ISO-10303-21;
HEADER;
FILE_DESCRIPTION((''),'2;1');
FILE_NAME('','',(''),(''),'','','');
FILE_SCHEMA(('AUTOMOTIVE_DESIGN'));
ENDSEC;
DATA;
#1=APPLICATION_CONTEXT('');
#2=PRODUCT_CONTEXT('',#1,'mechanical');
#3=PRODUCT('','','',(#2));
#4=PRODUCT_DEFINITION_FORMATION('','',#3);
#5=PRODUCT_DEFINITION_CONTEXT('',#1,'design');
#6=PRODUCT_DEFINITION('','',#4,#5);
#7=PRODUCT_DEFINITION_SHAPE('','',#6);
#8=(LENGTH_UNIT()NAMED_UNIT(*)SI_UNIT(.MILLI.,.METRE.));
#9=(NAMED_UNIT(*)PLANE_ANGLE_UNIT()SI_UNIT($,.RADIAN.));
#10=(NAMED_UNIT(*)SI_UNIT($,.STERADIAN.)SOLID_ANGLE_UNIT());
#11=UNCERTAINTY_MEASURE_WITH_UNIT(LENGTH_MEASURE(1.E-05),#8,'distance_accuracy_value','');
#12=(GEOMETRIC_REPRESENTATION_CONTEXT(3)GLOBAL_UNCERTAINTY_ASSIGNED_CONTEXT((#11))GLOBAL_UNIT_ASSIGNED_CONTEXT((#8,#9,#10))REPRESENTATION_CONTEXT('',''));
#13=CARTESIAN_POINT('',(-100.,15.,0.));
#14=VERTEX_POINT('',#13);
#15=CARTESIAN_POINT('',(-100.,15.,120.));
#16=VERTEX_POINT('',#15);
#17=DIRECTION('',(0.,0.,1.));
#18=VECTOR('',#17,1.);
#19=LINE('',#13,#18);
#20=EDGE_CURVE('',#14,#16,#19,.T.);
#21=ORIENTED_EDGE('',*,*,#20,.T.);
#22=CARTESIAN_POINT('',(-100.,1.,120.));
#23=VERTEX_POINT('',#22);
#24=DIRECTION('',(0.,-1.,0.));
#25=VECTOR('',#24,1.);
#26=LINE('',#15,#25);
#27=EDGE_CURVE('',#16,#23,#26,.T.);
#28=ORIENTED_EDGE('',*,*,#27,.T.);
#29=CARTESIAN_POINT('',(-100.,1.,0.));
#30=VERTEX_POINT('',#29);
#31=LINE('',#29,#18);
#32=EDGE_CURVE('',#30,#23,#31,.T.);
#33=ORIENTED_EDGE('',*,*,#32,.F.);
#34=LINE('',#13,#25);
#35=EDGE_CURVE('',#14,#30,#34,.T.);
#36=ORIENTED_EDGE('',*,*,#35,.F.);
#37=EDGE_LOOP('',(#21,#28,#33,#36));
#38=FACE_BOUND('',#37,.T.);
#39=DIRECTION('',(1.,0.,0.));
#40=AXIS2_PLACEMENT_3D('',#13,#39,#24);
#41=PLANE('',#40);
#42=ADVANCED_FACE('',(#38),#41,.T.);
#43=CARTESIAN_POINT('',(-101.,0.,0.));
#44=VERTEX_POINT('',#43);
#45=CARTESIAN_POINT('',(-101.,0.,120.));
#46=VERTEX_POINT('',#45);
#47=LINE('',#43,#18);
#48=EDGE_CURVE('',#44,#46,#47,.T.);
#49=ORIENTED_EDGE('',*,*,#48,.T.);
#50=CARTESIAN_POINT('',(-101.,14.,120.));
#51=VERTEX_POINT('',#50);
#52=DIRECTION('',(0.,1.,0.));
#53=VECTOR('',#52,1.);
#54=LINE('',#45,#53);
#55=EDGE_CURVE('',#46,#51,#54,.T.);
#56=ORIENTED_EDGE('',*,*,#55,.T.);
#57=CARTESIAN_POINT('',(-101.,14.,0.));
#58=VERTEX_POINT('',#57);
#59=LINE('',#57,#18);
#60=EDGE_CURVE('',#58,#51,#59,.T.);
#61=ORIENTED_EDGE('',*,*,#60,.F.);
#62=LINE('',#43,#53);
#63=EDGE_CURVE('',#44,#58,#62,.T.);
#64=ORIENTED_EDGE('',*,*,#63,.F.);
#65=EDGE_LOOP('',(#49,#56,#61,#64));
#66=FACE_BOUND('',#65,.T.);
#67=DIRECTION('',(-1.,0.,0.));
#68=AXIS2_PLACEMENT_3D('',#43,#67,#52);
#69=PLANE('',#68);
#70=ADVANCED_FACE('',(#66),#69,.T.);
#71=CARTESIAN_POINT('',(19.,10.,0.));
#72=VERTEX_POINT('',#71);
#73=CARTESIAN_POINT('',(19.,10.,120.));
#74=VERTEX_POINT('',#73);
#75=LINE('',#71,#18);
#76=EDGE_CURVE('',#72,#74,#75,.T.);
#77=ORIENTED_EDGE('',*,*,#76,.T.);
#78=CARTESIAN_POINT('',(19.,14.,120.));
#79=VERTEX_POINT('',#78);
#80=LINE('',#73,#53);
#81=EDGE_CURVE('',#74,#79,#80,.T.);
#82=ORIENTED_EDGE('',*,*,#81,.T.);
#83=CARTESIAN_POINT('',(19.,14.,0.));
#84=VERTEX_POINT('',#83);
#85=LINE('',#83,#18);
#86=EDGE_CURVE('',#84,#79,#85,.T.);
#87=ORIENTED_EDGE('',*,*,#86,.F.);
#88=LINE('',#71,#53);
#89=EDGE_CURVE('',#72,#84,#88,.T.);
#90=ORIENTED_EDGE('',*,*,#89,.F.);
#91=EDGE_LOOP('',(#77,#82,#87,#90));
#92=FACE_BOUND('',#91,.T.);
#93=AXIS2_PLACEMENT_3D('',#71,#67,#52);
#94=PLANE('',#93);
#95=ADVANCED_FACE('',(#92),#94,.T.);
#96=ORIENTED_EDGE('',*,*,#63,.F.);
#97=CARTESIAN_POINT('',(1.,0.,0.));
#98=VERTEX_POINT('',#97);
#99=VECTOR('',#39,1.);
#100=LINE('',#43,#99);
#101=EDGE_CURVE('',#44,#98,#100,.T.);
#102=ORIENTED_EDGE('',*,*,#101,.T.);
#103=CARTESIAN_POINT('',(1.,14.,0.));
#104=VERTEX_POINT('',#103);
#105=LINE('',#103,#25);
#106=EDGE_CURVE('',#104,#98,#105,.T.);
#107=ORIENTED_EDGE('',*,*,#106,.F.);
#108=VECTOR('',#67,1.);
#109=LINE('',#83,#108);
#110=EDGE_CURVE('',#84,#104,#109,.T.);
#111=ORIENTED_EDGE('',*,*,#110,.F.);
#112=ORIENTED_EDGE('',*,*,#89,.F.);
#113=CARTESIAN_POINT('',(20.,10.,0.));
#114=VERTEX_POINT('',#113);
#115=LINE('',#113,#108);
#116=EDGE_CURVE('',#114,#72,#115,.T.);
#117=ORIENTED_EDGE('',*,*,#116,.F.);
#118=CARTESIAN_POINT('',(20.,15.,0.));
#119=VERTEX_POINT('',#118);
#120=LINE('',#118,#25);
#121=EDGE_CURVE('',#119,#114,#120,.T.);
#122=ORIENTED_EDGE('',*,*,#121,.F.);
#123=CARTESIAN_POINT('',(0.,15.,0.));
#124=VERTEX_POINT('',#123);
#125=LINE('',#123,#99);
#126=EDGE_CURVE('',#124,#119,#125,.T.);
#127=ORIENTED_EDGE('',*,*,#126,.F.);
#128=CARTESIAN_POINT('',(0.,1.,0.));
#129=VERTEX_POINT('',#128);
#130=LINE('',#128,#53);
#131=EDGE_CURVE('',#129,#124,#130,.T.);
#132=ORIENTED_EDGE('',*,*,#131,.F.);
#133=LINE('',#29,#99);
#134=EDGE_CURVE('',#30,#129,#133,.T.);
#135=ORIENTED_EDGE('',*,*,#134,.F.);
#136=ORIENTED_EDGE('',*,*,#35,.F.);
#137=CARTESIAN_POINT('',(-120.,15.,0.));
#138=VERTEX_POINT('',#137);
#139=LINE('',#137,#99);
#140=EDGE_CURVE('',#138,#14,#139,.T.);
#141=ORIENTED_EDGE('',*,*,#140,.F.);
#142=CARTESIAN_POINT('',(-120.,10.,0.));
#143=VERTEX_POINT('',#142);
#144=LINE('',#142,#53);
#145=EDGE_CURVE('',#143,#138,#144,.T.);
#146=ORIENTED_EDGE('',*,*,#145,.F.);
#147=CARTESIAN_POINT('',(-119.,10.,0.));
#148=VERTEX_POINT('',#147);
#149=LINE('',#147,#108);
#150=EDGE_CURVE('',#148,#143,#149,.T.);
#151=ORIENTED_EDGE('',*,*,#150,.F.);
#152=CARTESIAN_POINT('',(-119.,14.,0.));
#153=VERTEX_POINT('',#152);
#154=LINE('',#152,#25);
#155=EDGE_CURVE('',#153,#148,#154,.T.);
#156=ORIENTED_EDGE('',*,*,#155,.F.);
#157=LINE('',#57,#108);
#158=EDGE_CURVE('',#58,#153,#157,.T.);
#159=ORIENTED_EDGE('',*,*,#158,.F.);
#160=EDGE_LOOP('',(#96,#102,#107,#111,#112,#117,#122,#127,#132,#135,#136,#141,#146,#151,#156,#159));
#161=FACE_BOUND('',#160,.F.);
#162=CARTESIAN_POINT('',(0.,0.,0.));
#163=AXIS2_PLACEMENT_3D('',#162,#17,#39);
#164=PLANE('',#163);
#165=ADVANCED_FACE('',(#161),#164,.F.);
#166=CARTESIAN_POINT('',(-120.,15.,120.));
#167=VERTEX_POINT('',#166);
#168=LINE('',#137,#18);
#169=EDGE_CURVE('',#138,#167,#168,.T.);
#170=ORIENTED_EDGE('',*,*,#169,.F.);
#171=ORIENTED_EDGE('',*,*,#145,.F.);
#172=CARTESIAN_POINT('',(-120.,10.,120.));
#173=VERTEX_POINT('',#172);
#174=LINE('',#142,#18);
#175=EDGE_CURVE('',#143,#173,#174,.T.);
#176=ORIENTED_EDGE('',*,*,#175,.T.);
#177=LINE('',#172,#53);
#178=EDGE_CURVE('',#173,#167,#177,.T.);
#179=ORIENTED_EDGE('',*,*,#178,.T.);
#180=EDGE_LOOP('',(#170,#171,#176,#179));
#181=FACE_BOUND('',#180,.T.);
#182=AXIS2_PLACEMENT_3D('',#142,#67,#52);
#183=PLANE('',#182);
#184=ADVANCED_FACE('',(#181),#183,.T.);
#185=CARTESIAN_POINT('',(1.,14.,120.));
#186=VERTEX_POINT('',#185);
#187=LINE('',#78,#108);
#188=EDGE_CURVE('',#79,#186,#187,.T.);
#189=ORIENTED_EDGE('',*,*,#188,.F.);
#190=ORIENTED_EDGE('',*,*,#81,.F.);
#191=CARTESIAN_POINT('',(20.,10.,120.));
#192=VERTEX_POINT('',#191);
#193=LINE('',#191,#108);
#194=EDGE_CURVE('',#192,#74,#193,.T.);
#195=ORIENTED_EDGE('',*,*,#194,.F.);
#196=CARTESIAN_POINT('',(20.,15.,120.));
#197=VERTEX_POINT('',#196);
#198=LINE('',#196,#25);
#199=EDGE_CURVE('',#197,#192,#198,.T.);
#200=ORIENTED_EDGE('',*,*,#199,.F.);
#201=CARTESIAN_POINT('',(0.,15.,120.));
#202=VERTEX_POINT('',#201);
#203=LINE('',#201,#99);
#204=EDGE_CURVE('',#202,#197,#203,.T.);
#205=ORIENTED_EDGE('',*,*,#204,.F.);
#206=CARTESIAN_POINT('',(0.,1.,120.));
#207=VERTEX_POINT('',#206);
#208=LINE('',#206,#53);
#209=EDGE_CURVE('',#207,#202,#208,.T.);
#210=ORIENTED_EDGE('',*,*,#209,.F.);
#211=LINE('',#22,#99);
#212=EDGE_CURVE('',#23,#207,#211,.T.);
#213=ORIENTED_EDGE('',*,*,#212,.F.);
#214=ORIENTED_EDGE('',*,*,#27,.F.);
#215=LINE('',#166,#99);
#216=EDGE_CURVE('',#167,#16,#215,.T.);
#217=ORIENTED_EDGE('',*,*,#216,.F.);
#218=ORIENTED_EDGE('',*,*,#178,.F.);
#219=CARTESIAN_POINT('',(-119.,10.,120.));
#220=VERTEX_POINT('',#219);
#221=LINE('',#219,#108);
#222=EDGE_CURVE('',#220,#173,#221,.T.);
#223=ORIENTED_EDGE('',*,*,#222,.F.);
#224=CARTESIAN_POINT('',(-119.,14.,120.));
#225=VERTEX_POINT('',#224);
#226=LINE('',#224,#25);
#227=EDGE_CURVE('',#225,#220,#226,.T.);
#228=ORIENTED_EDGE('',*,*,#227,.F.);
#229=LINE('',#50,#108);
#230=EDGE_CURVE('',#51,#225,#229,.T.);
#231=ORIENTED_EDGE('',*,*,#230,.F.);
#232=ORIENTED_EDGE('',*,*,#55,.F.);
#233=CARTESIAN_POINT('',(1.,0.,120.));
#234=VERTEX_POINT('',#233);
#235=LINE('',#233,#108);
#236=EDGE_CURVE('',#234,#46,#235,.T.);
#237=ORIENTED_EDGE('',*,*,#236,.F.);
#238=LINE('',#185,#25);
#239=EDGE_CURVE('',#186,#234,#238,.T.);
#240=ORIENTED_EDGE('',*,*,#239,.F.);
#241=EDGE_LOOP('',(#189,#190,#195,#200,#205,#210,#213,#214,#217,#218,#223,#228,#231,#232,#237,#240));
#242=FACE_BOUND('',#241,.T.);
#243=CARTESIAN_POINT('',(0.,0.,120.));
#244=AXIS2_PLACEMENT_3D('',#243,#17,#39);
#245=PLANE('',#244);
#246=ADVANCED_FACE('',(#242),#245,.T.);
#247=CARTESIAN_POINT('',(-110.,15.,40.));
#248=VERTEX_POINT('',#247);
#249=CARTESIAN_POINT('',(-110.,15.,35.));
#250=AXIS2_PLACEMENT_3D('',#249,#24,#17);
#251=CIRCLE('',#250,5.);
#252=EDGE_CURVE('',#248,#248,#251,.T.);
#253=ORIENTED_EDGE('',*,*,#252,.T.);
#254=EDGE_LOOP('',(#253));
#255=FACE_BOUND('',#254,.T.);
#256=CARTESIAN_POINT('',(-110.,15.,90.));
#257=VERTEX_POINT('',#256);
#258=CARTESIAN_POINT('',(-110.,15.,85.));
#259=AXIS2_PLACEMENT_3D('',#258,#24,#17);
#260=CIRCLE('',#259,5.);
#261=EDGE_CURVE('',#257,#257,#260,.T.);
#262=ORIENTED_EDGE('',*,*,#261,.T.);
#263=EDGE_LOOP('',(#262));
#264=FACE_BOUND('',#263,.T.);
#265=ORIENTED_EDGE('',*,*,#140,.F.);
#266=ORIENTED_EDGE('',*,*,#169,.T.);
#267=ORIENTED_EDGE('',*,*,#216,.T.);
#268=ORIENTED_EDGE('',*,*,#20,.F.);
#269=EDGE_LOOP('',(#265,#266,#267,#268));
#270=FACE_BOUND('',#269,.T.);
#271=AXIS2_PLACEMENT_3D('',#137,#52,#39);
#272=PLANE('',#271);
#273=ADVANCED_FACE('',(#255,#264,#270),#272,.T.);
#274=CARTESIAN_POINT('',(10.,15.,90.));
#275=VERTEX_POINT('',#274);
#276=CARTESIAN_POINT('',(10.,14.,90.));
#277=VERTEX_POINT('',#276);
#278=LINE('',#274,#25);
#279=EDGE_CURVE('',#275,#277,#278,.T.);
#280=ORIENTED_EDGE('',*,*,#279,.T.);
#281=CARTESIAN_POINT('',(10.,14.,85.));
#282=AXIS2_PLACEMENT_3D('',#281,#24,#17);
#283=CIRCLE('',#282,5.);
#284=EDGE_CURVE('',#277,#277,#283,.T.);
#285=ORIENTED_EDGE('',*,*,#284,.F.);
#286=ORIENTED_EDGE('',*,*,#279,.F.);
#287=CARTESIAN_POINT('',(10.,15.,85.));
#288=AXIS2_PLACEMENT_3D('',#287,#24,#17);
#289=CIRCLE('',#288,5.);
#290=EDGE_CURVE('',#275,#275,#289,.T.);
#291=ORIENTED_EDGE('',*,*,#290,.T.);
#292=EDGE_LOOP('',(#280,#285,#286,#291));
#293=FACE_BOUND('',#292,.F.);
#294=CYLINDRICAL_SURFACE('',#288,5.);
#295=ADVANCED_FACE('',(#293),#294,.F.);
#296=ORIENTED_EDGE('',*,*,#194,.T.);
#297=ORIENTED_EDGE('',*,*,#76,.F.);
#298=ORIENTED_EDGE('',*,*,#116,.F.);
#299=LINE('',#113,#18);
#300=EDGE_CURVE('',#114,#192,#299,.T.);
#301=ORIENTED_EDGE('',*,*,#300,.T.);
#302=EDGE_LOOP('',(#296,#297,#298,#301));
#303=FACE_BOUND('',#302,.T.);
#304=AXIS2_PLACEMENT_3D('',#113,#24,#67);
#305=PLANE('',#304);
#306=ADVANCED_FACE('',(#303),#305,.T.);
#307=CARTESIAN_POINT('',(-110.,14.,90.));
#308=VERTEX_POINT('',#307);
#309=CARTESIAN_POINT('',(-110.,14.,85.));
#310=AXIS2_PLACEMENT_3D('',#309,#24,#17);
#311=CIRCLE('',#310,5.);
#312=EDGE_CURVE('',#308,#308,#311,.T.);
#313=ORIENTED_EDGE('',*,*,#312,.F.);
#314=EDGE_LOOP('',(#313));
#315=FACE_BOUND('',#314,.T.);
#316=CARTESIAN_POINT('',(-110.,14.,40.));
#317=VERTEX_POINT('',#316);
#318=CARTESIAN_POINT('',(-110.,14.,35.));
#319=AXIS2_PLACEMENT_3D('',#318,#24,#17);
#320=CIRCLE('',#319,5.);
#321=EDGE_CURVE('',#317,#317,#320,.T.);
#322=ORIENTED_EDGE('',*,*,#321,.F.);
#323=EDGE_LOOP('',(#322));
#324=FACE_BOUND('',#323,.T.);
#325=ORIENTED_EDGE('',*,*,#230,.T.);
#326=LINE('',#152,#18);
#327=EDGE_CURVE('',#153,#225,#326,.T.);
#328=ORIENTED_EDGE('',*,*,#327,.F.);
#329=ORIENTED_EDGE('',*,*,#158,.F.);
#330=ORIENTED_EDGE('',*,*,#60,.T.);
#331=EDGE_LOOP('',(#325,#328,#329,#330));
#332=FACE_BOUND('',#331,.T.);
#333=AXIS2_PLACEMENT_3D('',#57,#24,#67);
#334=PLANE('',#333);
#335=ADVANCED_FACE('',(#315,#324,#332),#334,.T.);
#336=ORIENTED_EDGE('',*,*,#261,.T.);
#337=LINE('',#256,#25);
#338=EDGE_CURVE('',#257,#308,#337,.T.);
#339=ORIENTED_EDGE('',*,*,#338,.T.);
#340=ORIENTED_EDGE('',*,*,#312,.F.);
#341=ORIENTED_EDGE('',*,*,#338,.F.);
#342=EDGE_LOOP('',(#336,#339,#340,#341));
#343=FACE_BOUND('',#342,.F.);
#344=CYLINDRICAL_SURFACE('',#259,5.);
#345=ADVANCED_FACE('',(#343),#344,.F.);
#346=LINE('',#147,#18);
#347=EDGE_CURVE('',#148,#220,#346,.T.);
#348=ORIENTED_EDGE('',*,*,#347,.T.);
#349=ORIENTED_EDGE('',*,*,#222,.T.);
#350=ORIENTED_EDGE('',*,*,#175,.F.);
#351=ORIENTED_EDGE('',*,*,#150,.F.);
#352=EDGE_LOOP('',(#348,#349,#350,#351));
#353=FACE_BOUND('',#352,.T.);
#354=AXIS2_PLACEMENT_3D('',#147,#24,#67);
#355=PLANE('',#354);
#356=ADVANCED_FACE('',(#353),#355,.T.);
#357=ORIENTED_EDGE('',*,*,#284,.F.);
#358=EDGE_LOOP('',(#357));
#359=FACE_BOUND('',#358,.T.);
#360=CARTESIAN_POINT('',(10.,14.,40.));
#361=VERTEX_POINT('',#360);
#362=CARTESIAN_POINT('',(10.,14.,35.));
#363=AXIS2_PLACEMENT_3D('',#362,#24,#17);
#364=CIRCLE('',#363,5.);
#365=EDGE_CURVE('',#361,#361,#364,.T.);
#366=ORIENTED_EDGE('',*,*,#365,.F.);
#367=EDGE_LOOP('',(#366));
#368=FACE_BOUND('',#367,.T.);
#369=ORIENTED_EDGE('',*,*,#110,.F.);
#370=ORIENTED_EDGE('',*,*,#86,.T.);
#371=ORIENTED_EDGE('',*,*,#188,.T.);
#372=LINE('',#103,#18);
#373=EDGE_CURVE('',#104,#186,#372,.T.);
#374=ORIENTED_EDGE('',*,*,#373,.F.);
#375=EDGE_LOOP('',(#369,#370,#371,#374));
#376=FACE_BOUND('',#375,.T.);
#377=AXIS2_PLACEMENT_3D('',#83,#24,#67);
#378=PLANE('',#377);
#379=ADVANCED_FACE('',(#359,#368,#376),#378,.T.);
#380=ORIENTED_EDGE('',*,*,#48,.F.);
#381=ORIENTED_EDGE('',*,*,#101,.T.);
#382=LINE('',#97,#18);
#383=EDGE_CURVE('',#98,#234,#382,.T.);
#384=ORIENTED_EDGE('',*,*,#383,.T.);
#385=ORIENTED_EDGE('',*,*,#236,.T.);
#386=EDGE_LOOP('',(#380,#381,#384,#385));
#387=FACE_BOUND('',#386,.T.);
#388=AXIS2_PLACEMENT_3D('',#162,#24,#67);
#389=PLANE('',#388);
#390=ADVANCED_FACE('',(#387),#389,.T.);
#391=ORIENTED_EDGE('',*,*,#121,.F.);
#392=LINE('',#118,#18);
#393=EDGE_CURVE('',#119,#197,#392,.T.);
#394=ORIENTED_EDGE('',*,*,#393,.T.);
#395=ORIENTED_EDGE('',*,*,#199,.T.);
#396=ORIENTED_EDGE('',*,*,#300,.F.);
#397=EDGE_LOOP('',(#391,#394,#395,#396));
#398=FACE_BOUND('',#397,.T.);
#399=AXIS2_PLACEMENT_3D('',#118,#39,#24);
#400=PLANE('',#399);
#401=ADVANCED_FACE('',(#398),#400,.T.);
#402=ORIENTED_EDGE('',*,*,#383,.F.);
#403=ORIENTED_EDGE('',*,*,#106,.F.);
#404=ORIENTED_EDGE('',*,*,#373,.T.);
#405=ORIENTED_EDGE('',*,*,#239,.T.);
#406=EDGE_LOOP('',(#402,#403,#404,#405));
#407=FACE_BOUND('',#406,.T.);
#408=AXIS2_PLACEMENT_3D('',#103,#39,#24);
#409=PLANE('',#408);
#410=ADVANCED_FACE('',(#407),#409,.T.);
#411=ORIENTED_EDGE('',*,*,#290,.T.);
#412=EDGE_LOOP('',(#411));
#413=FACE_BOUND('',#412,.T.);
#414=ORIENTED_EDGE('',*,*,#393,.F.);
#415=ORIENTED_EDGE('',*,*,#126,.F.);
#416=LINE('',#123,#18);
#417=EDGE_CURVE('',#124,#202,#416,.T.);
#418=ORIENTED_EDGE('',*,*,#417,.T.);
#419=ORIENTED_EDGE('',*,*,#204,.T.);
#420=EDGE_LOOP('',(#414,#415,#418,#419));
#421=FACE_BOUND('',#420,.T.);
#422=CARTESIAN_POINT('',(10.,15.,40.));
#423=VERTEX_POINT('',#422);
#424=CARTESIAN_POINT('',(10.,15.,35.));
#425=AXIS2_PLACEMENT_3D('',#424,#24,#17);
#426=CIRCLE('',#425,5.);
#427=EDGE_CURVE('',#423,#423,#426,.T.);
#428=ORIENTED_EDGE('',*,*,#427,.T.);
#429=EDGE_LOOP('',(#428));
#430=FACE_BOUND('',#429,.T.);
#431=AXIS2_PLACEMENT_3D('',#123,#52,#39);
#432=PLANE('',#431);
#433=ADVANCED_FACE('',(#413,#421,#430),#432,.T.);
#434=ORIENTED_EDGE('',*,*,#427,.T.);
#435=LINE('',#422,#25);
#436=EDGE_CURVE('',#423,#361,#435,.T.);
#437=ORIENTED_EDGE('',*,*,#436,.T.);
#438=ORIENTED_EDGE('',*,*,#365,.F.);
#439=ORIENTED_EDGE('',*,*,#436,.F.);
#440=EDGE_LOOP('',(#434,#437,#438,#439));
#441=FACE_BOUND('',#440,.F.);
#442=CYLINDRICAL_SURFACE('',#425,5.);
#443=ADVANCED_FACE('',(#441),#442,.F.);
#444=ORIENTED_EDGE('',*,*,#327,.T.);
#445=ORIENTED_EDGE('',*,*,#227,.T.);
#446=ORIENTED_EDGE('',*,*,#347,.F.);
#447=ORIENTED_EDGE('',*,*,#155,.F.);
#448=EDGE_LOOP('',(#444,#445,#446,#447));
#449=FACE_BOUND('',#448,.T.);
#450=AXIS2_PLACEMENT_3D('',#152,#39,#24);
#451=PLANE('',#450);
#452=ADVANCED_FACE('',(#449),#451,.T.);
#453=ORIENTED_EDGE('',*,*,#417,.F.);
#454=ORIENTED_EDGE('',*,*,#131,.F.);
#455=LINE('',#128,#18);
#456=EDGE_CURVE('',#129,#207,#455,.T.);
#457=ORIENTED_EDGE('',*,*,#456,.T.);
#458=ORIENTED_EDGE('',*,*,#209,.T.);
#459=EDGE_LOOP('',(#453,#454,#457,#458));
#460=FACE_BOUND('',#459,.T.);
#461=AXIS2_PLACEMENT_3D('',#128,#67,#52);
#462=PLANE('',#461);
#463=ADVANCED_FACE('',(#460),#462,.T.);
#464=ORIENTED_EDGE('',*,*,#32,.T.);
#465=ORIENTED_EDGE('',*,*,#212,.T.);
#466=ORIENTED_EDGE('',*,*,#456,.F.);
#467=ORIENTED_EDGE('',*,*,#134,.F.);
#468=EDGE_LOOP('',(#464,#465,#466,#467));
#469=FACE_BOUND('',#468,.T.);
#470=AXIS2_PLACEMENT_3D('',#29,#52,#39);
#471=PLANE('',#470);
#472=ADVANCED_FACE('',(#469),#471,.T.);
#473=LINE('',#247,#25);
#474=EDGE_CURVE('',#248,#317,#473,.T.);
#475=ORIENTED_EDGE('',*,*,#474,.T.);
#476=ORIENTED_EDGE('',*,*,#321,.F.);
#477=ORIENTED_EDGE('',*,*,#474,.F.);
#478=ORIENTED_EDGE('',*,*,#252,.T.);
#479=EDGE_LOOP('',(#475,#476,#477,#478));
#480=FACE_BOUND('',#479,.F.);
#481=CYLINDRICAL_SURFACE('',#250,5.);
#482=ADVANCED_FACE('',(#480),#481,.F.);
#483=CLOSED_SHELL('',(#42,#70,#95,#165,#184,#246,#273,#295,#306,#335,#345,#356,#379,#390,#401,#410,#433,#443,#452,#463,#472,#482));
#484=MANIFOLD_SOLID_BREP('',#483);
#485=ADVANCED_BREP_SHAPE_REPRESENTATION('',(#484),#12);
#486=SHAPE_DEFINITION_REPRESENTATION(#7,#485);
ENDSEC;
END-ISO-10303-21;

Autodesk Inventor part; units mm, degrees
ref_plane "YZ Plane" through (0, 0, 0) normal (1, 0, 0) x (0, 1, 0)
ref_plane "XZ Plane" through (0, 0, 0) normal (0, 1, 0) x (-1, 0, 0)
ref_plane "XY Plane" through (0, 0, 0) normal (0, 0, 1) x (1, 0, 0)
sketch "Sketch1" plane through (0, 0, 0) normal (0, 0, 1) x (1, 0, 0)
  line L0 (0, 0) -> (0, 1)
  line L1 (0, 1) -> (0, 15)
  line L2 (0, 15) -> (20, 15)
  line L3 (20, 15) -> (20, 10)
  line L4 (20, 10) -> (19, 10)
  line L5 (19, 10) -> (19, 14)
  line L6 (19, 14) -> (1, 14)
  line L7 (1, 14) -> (1, 0)
  line L8 (1, 0) -> (-101, 0)
  line L9 (-101, 0) -> (-101, 14)
  line L10 (-101, 14) -> (-119, 14)
  line L11 (-119, 14) -> (-119, 10)
  line L12 (-119, 10) -> (-120, 10)
  line L13 (-120, 10) -> (-120, 15)
  line L14 (-120, 15) -> (-100, 15)
  line L15 (-100, 15) -> (-100, 1)
  line L16 (-100, 1) -> (0, 1)
  dimension "d1" = 14
  dimension "d2" = 20
  dimension "d3" = 5
  dimension "d4" = 1
  dimension "d5" = 4
  dimension "d6" = 18
  dimension "d7" = 102
  dimension "d8" = 14
  dimension "d9" = 18
  dimension "d10" = 4
  dimension "d11" = 1
  dimension "d12" = 5
  dimension "d13" = 20
  dimension "d14" = 14
extrude "Extrusion1" add sketch "Sketch1" along normal blind 120
sketch "Sketch2" plane through (0, 15, 0) normal (0, 1, 0) x (1, 0, 0)
  circle A0 centre (10, -85) radius 5
  circle A1 centre (10, -35) radius 5
  circle A2 centre (-110, -35) radius 5
  circle A3 centre (-110, -85) radius 5
  line L0 (20, 0) -> (20, -120) projected
  line L1 (20, 0) -> (0, 0) projected
  line L2 (20, -120) -> (0, -120) projected
  line L3 (-120, 0) -> (-120, -120) projected
  dimension "d17" = 10
  dimension "d18" = 10
  dimension "d19" = 10
  dimension "d20" = 10
hole "Hole1" at (10, 15, 85) at (10, 15, 35) at (-110, 15, 35) at (-110, 15, 85) direction (0, -1, 0) diameter 10 end through all
properties part number "Pallet"
